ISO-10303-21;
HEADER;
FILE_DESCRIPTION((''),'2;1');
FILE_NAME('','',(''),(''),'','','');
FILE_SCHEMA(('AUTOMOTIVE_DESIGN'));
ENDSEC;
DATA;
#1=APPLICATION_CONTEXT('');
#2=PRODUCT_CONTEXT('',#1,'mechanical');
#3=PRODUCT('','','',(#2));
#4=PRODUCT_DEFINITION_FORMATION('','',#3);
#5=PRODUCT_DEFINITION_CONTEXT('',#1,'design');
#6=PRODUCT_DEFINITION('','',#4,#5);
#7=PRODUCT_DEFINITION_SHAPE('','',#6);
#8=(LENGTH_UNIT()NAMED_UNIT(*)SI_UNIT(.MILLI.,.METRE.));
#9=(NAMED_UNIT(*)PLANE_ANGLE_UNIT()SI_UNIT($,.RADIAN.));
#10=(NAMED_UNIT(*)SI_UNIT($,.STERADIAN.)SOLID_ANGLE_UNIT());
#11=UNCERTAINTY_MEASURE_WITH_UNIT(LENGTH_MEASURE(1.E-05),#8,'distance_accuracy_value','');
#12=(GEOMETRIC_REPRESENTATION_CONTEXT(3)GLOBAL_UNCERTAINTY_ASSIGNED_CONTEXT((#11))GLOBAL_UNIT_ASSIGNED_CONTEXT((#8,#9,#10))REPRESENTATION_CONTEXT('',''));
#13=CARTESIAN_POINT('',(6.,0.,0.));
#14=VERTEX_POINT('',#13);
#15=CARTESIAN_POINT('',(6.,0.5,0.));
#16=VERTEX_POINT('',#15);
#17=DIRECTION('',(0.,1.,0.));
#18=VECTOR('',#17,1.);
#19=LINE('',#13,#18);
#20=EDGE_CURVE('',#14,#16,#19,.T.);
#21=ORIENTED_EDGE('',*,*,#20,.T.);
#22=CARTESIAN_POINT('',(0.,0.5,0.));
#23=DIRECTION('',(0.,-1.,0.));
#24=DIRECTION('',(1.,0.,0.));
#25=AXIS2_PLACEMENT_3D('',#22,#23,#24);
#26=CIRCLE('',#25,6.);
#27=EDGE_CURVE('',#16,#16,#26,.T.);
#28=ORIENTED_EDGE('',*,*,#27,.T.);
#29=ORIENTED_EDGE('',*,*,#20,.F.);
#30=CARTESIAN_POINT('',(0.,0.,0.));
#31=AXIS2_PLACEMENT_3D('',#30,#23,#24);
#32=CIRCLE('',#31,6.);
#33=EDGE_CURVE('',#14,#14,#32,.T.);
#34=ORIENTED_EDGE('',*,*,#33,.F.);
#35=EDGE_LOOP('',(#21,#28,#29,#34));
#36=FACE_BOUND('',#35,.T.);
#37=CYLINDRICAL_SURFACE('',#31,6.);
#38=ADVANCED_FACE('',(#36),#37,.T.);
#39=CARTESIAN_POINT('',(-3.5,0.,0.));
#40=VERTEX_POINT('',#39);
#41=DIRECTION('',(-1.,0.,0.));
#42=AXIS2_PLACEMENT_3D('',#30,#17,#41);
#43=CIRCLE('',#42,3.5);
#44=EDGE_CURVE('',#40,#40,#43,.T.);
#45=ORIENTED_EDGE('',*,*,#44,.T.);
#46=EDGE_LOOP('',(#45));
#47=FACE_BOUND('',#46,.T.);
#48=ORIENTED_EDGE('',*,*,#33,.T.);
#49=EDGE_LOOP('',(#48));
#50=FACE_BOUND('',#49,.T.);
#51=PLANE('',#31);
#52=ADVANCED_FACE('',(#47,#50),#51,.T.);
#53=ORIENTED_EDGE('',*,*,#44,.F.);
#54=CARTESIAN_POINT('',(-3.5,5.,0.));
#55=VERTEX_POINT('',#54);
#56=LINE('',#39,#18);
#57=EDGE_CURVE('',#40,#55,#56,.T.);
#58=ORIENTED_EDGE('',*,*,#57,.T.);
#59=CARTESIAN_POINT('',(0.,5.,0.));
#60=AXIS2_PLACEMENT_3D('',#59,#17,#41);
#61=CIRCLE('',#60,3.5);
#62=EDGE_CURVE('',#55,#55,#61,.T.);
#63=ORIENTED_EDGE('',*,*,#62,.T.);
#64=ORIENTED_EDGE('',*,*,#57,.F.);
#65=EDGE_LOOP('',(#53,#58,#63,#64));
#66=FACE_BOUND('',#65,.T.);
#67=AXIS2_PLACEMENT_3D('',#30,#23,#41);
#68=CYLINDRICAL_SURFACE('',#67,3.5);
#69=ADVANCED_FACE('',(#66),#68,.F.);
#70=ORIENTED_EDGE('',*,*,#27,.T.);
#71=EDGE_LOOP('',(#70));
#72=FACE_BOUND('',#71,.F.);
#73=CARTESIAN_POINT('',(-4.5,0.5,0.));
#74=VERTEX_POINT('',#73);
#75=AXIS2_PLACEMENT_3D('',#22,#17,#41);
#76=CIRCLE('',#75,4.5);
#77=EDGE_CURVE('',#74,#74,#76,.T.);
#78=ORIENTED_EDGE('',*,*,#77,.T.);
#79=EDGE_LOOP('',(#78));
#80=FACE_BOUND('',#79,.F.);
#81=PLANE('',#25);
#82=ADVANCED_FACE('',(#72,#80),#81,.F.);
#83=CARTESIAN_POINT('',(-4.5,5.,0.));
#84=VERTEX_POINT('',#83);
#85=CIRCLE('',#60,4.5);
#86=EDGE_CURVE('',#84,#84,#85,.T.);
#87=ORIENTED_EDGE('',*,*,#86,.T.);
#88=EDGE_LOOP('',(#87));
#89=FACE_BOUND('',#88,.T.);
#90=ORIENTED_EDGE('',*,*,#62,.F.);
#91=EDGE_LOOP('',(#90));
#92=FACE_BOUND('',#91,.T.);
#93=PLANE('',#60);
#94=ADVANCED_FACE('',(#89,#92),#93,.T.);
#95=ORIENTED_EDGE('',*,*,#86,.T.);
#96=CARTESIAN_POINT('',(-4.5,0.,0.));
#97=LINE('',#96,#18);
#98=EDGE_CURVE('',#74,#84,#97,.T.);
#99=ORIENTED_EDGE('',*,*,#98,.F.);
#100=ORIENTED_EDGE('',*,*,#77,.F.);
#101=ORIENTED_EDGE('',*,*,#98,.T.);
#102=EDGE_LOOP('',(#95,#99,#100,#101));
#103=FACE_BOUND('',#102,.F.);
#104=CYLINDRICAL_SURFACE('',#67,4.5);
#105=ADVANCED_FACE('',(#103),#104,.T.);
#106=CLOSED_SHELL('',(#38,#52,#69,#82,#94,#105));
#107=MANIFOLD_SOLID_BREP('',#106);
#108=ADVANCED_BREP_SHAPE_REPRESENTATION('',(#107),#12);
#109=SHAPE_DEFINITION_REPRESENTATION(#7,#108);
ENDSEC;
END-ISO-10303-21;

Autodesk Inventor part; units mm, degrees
ref_plane "YZ Plane" through (0, 0, 0) normal (1, 0, 0) x (0, 1, 0)
ref_plane "XZ Plane" through (0, 0, 0) normal (0, 1, 0) x (-1, 0, 0)
ref_plane "XY Plane" through (0, 0, 0) normal (0, 0, 1) x (1, 0, 0)
sketch "Sketch1" plane through (0, 0, 0) normal (0, 1, 0) x (-1, 0, 0)
  circle A0 centre (0, 0) radius 3.5
  circle A1 centre (0, 0) radius 4.5
  dimension "d0" = 7
  dimension "d1" = 9
extrude "Extrusion1" add sketch "Sketch1" along normal blind 5
sketch "Sketch2" plane through (0, 0, 0) normal (0, -1, 0) x (1, 0, 0)
  circle A0 centre (0, 0) radius 4.5 projected
  circle A1 centre (0, 0) radius 6
  dimension "d4" = 12
extrude "Extrusion2" add sketch "Sketch2" against normal blind 0.5
properties part number "printed idler bushing 6mm shoulder bolt"
